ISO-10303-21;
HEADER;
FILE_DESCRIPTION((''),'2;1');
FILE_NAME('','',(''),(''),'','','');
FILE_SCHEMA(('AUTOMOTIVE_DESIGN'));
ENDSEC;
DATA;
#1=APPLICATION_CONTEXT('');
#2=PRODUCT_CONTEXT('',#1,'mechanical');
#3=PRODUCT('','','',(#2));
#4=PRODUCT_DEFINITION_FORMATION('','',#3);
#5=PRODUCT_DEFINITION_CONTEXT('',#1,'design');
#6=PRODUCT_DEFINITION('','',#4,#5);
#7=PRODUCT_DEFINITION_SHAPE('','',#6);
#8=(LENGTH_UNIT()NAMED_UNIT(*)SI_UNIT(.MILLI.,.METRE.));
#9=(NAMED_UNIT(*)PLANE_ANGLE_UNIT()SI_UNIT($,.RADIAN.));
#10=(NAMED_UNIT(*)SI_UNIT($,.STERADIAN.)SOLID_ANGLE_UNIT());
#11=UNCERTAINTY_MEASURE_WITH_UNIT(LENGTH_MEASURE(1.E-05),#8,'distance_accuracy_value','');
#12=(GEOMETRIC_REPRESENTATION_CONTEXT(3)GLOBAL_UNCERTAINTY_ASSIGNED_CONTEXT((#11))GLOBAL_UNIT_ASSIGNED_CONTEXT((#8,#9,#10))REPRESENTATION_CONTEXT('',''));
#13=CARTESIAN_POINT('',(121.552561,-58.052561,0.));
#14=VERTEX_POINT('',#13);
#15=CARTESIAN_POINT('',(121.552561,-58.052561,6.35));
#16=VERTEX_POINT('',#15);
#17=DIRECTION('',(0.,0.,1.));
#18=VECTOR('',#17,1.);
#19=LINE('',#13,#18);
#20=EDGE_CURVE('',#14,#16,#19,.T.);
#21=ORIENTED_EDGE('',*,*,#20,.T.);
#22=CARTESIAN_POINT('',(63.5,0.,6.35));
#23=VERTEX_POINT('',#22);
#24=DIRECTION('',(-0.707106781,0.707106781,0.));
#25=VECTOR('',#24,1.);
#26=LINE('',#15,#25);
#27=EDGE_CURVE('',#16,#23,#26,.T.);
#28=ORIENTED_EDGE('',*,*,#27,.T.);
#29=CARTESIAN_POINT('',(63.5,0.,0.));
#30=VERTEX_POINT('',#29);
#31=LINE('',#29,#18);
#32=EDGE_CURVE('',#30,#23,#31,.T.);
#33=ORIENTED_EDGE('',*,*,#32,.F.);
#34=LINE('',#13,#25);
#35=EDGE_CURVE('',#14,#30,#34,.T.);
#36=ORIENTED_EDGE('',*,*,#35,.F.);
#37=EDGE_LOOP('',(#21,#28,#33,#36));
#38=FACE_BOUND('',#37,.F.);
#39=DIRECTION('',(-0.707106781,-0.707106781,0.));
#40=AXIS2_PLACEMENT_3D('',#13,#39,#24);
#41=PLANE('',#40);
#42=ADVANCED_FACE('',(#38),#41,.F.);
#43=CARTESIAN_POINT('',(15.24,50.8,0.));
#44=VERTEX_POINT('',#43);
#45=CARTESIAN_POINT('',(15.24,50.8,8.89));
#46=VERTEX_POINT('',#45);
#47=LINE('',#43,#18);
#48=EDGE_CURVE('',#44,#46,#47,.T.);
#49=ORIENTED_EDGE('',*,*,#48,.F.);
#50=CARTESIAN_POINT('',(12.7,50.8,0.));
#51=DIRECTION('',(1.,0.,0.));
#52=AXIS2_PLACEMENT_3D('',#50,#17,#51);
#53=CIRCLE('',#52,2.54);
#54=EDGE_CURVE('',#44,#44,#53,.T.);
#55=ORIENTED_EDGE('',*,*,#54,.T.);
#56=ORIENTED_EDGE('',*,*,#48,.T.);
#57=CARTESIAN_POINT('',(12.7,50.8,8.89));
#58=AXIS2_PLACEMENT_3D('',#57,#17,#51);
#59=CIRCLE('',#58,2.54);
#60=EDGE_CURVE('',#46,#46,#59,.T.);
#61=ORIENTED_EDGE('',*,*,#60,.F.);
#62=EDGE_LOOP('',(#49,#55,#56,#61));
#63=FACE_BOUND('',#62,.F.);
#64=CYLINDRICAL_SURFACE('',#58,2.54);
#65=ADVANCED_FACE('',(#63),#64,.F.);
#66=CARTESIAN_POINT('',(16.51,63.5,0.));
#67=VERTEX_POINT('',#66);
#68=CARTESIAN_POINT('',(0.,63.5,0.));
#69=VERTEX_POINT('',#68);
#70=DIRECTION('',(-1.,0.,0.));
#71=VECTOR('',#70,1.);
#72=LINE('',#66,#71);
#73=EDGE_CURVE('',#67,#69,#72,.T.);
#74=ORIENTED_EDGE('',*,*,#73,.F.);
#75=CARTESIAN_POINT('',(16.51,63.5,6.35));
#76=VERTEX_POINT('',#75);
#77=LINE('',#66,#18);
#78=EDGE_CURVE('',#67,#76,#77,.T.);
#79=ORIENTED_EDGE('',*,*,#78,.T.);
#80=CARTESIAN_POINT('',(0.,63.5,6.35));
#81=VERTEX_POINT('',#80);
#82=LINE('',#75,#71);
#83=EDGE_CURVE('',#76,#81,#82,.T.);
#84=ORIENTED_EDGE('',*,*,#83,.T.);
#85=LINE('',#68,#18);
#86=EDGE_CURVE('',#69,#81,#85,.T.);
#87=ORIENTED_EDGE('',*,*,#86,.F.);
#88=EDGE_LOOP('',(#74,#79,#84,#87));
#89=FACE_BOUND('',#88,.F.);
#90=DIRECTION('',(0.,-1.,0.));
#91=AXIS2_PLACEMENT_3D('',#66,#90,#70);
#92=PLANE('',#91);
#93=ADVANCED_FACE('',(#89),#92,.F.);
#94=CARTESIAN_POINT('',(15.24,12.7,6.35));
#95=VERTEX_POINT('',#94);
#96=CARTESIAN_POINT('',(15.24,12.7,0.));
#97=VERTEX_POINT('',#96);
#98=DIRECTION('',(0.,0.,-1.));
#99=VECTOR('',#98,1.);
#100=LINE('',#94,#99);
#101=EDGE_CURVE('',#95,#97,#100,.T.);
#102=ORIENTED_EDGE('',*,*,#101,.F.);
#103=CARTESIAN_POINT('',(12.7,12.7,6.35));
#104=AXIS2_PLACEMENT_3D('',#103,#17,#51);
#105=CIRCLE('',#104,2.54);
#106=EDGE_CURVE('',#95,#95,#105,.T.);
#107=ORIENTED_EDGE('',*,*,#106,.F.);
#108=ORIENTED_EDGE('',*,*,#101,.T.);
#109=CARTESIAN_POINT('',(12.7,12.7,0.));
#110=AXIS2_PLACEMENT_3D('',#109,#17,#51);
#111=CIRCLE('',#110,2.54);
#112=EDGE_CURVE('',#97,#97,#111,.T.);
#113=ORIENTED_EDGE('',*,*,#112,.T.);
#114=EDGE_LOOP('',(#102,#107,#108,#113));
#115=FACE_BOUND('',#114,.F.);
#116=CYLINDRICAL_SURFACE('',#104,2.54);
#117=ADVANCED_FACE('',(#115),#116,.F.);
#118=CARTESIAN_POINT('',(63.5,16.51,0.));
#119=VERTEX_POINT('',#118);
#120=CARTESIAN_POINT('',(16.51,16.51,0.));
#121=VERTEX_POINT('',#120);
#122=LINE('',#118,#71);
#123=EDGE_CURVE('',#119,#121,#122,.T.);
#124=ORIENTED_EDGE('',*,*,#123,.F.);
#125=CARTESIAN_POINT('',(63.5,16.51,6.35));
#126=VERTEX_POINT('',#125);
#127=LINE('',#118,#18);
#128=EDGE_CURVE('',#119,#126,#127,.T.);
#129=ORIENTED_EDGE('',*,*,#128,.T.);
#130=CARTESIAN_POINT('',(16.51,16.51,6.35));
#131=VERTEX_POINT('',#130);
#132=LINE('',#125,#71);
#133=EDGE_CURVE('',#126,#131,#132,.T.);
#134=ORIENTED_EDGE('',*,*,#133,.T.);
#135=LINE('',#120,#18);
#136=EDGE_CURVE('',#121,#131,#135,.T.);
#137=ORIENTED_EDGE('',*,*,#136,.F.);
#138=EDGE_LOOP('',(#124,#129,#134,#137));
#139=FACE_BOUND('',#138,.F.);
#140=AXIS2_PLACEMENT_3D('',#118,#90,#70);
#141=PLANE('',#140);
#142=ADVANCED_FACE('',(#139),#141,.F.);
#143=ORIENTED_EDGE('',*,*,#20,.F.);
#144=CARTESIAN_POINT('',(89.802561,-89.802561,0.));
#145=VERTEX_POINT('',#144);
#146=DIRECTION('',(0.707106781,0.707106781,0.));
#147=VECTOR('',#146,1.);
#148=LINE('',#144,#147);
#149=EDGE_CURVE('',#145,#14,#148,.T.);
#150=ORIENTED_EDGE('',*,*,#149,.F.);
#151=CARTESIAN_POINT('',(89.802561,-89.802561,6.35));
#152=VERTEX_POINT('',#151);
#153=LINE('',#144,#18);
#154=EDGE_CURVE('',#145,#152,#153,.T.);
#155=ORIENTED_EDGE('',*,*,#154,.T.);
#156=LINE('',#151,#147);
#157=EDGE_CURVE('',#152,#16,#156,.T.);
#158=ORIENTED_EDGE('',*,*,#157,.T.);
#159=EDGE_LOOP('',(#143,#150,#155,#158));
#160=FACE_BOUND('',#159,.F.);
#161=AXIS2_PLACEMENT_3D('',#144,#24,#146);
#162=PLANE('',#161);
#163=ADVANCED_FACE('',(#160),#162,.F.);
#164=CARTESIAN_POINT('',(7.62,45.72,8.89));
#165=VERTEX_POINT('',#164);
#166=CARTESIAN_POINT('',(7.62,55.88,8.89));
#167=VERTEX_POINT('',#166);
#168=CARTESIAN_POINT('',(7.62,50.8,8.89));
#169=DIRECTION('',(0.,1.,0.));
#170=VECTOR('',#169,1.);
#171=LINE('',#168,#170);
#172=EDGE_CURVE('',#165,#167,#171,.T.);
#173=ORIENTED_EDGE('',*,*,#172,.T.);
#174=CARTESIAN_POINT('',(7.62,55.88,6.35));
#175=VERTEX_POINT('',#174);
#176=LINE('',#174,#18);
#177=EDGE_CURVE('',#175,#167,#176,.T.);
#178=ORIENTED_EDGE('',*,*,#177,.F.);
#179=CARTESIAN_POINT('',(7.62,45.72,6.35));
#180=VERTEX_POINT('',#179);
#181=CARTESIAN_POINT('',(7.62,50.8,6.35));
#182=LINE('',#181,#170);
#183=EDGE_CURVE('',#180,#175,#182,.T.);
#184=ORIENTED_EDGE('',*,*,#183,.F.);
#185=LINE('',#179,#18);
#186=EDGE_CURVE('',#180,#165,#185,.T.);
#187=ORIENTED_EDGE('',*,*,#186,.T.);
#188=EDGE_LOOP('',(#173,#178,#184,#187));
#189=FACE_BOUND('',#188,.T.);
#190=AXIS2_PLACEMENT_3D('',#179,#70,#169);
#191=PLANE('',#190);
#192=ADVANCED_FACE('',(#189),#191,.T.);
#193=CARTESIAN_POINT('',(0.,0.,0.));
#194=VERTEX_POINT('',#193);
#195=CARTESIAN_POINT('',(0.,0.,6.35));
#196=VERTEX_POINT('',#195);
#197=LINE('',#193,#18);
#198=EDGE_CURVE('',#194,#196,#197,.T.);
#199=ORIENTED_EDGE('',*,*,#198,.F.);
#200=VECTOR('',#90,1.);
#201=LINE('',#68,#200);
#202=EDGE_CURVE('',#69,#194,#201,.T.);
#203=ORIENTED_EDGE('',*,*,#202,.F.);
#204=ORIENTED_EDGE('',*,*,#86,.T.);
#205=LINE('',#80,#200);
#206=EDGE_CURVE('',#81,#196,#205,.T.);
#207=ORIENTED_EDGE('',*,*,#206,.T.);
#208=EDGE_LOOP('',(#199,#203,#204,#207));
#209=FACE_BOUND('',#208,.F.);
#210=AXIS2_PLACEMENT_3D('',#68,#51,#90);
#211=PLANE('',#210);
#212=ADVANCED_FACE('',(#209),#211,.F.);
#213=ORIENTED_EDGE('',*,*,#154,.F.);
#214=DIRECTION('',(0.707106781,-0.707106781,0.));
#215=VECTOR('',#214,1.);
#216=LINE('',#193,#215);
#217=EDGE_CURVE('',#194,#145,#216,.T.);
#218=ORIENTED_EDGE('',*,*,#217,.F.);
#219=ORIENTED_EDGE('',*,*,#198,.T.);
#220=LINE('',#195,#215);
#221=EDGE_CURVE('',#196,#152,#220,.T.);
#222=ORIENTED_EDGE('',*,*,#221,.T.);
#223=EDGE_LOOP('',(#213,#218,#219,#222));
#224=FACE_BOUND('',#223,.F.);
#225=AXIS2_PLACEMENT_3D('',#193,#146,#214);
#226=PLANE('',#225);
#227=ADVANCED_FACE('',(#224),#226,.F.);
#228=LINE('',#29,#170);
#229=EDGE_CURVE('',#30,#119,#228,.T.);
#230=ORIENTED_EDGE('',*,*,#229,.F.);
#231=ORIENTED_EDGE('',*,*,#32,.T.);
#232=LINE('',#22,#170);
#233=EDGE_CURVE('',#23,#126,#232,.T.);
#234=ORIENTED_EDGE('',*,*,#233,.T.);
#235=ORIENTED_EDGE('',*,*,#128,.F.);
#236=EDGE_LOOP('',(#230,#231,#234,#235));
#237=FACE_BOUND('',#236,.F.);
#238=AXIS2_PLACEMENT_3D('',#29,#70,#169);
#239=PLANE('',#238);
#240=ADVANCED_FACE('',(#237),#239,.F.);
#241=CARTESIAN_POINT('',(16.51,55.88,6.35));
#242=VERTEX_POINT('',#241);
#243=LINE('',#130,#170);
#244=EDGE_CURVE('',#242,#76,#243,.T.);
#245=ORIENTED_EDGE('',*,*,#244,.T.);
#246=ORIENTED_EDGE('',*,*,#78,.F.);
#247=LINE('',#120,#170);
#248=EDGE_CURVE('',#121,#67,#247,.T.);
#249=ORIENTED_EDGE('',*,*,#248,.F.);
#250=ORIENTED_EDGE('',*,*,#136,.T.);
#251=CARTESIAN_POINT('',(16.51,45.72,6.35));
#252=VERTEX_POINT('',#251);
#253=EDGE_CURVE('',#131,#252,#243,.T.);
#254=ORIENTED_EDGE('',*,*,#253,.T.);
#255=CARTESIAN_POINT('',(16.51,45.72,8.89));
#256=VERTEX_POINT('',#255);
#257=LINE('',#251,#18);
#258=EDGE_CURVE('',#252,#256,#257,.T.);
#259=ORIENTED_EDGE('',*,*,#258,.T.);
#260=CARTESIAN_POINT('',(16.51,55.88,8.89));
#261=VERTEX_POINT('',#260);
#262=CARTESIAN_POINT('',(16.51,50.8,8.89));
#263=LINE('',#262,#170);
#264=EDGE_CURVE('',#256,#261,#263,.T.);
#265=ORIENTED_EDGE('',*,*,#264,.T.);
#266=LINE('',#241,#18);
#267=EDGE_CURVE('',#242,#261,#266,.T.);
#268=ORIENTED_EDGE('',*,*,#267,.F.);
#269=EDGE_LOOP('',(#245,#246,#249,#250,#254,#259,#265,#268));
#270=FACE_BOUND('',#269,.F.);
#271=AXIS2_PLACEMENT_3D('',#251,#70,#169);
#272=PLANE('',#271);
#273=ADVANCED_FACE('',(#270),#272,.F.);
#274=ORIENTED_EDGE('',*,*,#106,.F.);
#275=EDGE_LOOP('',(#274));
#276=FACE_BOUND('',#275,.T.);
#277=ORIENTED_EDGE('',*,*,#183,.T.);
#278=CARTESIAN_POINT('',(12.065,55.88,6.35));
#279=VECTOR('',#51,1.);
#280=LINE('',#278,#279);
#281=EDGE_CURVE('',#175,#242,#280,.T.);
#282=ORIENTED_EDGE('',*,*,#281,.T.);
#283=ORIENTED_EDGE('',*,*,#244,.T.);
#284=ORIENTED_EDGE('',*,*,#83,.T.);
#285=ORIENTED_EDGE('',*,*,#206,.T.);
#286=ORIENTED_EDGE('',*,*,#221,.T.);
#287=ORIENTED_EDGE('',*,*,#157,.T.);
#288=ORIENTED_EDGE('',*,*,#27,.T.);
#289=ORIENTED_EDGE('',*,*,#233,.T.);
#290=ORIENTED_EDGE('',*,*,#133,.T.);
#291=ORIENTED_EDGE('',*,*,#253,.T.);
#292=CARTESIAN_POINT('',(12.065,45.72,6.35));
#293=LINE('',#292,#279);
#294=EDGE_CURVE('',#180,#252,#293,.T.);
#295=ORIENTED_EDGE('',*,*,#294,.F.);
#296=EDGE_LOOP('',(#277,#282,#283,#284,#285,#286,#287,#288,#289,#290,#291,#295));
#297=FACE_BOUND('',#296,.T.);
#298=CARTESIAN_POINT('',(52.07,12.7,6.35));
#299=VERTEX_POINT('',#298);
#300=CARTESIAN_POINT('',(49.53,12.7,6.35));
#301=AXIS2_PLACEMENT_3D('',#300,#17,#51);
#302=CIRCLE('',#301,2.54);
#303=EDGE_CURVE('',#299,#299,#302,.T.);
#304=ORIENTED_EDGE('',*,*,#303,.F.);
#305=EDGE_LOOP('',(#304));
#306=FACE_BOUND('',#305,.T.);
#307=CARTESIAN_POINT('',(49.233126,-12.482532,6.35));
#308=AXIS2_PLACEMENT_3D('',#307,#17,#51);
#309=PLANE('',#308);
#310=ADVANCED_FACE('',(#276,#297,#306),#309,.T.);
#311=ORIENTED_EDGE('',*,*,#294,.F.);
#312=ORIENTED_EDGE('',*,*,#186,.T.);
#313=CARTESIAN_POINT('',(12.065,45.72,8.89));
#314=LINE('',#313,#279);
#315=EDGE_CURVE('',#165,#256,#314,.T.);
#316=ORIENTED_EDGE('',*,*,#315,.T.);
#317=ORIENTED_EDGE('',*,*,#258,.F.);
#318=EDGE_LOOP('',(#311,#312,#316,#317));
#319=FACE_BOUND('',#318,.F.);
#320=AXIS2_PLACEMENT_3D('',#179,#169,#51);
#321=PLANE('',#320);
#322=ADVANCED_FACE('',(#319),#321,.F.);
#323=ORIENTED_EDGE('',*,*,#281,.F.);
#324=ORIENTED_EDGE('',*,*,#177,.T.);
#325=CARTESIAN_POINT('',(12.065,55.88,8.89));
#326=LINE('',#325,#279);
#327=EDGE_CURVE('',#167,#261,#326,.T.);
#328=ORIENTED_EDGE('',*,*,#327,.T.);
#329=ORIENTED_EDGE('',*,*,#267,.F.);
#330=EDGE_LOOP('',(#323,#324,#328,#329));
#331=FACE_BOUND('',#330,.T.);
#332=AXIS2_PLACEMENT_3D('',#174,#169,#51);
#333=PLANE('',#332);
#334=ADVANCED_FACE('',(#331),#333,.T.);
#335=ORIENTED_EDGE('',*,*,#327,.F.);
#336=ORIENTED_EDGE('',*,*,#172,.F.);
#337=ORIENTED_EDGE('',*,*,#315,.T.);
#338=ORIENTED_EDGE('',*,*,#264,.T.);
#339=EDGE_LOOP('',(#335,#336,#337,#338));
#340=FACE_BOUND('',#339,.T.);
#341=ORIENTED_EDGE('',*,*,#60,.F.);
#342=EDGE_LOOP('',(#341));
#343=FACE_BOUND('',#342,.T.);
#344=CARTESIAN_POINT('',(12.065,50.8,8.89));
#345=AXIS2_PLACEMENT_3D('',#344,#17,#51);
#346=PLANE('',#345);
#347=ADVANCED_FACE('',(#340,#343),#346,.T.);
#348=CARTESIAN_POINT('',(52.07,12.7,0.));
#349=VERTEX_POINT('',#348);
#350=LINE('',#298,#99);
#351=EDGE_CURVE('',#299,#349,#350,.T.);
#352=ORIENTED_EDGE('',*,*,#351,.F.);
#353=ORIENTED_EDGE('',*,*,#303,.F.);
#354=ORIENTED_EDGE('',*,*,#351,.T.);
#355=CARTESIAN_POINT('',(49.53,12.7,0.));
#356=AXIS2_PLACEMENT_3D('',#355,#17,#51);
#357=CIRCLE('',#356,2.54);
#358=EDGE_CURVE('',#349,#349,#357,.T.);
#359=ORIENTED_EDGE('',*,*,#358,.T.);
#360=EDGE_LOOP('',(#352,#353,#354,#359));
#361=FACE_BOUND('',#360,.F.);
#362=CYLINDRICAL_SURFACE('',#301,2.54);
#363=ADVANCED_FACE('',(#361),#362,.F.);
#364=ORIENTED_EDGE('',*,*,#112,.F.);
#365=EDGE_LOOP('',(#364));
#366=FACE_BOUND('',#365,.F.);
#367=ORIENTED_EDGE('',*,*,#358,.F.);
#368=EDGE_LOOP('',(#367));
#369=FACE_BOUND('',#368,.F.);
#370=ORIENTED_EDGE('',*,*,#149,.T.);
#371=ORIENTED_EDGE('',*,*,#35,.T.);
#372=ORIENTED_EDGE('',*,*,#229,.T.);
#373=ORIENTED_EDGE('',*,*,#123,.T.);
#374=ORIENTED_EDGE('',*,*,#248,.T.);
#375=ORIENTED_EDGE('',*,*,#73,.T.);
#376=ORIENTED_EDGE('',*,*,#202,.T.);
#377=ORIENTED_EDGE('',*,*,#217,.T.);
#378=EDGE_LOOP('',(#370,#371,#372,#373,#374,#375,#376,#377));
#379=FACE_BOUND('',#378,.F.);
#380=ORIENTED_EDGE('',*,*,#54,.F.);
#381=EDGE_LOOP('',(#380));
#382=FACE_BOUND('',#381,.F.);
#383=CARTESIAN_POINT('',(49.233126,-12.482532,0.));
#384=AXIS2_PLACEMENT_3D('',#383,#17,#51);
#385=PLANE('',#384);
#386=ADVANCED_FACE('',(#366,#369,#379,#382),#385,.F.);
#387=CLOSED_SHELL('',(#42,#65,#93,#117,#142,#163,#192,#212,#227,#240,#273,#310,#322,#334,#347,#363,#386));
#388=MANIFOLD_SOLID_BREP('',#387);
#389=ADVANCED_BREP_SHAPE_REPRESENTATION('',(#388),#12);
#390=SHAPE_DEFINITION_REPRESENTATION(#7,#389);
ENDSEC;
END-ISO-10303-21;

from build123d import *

# Parameters (mm, degrees)
F1_DEPTH = 6.35
F2_R     = 2.54
F3_DEPTH = 6.35
F4_W     = 8.89
F4_H     = 10.16
F5_DEPTH = 2.54
F6_R     = 2.54
F7_DEPTH = 25.4


with BuildPart() as f1:
    # F0 (on Top) → F1 (new body)
    with BuildSketch(Plane.XY):
        Polygon((0, 63.5), (0, 0), (89.802561, -89.802561), (121.552561, -58.052561), (63.5, 0), (63.5, 16.51), (16.51, 16.51), (16.51, 63.5), align=None)
    extrude(amount=F1_DEPTH)

    # F2 (on face) → F3 (cut)
    with BuildSketch(Plane.XY.offset(6.35)):
        with Locations((12.7, 50.8)):
            Circle(F2_R)
        with Locations((49.53, 12.7)):
            Circle(F2_R)
        with Locations((12.7, 12.7)):
            Circle(F2_R)
    extrude(amount=-F3_DEPTH, mode=Mode.SUBTRACT)

    # F4 (on face) → F5 (join)
    with BuildSketch(Plane.XY.offset(6.35)):
        with Locations((12.065, 50.8)):
            Rectangle(F4_W, F4_H)
    extrude(amount=F5_DEPTH)

    # F6 (on face) → F7 (cut)
    with BuildSketch(Plane.XY.offset(8.89)):
        with Locations((12.7, 50.8)):
            Circle(F6_R)
    extrude(amount=-F7_DEPTH, mode=Mode.SUBTRACT)


solid = f1.part
